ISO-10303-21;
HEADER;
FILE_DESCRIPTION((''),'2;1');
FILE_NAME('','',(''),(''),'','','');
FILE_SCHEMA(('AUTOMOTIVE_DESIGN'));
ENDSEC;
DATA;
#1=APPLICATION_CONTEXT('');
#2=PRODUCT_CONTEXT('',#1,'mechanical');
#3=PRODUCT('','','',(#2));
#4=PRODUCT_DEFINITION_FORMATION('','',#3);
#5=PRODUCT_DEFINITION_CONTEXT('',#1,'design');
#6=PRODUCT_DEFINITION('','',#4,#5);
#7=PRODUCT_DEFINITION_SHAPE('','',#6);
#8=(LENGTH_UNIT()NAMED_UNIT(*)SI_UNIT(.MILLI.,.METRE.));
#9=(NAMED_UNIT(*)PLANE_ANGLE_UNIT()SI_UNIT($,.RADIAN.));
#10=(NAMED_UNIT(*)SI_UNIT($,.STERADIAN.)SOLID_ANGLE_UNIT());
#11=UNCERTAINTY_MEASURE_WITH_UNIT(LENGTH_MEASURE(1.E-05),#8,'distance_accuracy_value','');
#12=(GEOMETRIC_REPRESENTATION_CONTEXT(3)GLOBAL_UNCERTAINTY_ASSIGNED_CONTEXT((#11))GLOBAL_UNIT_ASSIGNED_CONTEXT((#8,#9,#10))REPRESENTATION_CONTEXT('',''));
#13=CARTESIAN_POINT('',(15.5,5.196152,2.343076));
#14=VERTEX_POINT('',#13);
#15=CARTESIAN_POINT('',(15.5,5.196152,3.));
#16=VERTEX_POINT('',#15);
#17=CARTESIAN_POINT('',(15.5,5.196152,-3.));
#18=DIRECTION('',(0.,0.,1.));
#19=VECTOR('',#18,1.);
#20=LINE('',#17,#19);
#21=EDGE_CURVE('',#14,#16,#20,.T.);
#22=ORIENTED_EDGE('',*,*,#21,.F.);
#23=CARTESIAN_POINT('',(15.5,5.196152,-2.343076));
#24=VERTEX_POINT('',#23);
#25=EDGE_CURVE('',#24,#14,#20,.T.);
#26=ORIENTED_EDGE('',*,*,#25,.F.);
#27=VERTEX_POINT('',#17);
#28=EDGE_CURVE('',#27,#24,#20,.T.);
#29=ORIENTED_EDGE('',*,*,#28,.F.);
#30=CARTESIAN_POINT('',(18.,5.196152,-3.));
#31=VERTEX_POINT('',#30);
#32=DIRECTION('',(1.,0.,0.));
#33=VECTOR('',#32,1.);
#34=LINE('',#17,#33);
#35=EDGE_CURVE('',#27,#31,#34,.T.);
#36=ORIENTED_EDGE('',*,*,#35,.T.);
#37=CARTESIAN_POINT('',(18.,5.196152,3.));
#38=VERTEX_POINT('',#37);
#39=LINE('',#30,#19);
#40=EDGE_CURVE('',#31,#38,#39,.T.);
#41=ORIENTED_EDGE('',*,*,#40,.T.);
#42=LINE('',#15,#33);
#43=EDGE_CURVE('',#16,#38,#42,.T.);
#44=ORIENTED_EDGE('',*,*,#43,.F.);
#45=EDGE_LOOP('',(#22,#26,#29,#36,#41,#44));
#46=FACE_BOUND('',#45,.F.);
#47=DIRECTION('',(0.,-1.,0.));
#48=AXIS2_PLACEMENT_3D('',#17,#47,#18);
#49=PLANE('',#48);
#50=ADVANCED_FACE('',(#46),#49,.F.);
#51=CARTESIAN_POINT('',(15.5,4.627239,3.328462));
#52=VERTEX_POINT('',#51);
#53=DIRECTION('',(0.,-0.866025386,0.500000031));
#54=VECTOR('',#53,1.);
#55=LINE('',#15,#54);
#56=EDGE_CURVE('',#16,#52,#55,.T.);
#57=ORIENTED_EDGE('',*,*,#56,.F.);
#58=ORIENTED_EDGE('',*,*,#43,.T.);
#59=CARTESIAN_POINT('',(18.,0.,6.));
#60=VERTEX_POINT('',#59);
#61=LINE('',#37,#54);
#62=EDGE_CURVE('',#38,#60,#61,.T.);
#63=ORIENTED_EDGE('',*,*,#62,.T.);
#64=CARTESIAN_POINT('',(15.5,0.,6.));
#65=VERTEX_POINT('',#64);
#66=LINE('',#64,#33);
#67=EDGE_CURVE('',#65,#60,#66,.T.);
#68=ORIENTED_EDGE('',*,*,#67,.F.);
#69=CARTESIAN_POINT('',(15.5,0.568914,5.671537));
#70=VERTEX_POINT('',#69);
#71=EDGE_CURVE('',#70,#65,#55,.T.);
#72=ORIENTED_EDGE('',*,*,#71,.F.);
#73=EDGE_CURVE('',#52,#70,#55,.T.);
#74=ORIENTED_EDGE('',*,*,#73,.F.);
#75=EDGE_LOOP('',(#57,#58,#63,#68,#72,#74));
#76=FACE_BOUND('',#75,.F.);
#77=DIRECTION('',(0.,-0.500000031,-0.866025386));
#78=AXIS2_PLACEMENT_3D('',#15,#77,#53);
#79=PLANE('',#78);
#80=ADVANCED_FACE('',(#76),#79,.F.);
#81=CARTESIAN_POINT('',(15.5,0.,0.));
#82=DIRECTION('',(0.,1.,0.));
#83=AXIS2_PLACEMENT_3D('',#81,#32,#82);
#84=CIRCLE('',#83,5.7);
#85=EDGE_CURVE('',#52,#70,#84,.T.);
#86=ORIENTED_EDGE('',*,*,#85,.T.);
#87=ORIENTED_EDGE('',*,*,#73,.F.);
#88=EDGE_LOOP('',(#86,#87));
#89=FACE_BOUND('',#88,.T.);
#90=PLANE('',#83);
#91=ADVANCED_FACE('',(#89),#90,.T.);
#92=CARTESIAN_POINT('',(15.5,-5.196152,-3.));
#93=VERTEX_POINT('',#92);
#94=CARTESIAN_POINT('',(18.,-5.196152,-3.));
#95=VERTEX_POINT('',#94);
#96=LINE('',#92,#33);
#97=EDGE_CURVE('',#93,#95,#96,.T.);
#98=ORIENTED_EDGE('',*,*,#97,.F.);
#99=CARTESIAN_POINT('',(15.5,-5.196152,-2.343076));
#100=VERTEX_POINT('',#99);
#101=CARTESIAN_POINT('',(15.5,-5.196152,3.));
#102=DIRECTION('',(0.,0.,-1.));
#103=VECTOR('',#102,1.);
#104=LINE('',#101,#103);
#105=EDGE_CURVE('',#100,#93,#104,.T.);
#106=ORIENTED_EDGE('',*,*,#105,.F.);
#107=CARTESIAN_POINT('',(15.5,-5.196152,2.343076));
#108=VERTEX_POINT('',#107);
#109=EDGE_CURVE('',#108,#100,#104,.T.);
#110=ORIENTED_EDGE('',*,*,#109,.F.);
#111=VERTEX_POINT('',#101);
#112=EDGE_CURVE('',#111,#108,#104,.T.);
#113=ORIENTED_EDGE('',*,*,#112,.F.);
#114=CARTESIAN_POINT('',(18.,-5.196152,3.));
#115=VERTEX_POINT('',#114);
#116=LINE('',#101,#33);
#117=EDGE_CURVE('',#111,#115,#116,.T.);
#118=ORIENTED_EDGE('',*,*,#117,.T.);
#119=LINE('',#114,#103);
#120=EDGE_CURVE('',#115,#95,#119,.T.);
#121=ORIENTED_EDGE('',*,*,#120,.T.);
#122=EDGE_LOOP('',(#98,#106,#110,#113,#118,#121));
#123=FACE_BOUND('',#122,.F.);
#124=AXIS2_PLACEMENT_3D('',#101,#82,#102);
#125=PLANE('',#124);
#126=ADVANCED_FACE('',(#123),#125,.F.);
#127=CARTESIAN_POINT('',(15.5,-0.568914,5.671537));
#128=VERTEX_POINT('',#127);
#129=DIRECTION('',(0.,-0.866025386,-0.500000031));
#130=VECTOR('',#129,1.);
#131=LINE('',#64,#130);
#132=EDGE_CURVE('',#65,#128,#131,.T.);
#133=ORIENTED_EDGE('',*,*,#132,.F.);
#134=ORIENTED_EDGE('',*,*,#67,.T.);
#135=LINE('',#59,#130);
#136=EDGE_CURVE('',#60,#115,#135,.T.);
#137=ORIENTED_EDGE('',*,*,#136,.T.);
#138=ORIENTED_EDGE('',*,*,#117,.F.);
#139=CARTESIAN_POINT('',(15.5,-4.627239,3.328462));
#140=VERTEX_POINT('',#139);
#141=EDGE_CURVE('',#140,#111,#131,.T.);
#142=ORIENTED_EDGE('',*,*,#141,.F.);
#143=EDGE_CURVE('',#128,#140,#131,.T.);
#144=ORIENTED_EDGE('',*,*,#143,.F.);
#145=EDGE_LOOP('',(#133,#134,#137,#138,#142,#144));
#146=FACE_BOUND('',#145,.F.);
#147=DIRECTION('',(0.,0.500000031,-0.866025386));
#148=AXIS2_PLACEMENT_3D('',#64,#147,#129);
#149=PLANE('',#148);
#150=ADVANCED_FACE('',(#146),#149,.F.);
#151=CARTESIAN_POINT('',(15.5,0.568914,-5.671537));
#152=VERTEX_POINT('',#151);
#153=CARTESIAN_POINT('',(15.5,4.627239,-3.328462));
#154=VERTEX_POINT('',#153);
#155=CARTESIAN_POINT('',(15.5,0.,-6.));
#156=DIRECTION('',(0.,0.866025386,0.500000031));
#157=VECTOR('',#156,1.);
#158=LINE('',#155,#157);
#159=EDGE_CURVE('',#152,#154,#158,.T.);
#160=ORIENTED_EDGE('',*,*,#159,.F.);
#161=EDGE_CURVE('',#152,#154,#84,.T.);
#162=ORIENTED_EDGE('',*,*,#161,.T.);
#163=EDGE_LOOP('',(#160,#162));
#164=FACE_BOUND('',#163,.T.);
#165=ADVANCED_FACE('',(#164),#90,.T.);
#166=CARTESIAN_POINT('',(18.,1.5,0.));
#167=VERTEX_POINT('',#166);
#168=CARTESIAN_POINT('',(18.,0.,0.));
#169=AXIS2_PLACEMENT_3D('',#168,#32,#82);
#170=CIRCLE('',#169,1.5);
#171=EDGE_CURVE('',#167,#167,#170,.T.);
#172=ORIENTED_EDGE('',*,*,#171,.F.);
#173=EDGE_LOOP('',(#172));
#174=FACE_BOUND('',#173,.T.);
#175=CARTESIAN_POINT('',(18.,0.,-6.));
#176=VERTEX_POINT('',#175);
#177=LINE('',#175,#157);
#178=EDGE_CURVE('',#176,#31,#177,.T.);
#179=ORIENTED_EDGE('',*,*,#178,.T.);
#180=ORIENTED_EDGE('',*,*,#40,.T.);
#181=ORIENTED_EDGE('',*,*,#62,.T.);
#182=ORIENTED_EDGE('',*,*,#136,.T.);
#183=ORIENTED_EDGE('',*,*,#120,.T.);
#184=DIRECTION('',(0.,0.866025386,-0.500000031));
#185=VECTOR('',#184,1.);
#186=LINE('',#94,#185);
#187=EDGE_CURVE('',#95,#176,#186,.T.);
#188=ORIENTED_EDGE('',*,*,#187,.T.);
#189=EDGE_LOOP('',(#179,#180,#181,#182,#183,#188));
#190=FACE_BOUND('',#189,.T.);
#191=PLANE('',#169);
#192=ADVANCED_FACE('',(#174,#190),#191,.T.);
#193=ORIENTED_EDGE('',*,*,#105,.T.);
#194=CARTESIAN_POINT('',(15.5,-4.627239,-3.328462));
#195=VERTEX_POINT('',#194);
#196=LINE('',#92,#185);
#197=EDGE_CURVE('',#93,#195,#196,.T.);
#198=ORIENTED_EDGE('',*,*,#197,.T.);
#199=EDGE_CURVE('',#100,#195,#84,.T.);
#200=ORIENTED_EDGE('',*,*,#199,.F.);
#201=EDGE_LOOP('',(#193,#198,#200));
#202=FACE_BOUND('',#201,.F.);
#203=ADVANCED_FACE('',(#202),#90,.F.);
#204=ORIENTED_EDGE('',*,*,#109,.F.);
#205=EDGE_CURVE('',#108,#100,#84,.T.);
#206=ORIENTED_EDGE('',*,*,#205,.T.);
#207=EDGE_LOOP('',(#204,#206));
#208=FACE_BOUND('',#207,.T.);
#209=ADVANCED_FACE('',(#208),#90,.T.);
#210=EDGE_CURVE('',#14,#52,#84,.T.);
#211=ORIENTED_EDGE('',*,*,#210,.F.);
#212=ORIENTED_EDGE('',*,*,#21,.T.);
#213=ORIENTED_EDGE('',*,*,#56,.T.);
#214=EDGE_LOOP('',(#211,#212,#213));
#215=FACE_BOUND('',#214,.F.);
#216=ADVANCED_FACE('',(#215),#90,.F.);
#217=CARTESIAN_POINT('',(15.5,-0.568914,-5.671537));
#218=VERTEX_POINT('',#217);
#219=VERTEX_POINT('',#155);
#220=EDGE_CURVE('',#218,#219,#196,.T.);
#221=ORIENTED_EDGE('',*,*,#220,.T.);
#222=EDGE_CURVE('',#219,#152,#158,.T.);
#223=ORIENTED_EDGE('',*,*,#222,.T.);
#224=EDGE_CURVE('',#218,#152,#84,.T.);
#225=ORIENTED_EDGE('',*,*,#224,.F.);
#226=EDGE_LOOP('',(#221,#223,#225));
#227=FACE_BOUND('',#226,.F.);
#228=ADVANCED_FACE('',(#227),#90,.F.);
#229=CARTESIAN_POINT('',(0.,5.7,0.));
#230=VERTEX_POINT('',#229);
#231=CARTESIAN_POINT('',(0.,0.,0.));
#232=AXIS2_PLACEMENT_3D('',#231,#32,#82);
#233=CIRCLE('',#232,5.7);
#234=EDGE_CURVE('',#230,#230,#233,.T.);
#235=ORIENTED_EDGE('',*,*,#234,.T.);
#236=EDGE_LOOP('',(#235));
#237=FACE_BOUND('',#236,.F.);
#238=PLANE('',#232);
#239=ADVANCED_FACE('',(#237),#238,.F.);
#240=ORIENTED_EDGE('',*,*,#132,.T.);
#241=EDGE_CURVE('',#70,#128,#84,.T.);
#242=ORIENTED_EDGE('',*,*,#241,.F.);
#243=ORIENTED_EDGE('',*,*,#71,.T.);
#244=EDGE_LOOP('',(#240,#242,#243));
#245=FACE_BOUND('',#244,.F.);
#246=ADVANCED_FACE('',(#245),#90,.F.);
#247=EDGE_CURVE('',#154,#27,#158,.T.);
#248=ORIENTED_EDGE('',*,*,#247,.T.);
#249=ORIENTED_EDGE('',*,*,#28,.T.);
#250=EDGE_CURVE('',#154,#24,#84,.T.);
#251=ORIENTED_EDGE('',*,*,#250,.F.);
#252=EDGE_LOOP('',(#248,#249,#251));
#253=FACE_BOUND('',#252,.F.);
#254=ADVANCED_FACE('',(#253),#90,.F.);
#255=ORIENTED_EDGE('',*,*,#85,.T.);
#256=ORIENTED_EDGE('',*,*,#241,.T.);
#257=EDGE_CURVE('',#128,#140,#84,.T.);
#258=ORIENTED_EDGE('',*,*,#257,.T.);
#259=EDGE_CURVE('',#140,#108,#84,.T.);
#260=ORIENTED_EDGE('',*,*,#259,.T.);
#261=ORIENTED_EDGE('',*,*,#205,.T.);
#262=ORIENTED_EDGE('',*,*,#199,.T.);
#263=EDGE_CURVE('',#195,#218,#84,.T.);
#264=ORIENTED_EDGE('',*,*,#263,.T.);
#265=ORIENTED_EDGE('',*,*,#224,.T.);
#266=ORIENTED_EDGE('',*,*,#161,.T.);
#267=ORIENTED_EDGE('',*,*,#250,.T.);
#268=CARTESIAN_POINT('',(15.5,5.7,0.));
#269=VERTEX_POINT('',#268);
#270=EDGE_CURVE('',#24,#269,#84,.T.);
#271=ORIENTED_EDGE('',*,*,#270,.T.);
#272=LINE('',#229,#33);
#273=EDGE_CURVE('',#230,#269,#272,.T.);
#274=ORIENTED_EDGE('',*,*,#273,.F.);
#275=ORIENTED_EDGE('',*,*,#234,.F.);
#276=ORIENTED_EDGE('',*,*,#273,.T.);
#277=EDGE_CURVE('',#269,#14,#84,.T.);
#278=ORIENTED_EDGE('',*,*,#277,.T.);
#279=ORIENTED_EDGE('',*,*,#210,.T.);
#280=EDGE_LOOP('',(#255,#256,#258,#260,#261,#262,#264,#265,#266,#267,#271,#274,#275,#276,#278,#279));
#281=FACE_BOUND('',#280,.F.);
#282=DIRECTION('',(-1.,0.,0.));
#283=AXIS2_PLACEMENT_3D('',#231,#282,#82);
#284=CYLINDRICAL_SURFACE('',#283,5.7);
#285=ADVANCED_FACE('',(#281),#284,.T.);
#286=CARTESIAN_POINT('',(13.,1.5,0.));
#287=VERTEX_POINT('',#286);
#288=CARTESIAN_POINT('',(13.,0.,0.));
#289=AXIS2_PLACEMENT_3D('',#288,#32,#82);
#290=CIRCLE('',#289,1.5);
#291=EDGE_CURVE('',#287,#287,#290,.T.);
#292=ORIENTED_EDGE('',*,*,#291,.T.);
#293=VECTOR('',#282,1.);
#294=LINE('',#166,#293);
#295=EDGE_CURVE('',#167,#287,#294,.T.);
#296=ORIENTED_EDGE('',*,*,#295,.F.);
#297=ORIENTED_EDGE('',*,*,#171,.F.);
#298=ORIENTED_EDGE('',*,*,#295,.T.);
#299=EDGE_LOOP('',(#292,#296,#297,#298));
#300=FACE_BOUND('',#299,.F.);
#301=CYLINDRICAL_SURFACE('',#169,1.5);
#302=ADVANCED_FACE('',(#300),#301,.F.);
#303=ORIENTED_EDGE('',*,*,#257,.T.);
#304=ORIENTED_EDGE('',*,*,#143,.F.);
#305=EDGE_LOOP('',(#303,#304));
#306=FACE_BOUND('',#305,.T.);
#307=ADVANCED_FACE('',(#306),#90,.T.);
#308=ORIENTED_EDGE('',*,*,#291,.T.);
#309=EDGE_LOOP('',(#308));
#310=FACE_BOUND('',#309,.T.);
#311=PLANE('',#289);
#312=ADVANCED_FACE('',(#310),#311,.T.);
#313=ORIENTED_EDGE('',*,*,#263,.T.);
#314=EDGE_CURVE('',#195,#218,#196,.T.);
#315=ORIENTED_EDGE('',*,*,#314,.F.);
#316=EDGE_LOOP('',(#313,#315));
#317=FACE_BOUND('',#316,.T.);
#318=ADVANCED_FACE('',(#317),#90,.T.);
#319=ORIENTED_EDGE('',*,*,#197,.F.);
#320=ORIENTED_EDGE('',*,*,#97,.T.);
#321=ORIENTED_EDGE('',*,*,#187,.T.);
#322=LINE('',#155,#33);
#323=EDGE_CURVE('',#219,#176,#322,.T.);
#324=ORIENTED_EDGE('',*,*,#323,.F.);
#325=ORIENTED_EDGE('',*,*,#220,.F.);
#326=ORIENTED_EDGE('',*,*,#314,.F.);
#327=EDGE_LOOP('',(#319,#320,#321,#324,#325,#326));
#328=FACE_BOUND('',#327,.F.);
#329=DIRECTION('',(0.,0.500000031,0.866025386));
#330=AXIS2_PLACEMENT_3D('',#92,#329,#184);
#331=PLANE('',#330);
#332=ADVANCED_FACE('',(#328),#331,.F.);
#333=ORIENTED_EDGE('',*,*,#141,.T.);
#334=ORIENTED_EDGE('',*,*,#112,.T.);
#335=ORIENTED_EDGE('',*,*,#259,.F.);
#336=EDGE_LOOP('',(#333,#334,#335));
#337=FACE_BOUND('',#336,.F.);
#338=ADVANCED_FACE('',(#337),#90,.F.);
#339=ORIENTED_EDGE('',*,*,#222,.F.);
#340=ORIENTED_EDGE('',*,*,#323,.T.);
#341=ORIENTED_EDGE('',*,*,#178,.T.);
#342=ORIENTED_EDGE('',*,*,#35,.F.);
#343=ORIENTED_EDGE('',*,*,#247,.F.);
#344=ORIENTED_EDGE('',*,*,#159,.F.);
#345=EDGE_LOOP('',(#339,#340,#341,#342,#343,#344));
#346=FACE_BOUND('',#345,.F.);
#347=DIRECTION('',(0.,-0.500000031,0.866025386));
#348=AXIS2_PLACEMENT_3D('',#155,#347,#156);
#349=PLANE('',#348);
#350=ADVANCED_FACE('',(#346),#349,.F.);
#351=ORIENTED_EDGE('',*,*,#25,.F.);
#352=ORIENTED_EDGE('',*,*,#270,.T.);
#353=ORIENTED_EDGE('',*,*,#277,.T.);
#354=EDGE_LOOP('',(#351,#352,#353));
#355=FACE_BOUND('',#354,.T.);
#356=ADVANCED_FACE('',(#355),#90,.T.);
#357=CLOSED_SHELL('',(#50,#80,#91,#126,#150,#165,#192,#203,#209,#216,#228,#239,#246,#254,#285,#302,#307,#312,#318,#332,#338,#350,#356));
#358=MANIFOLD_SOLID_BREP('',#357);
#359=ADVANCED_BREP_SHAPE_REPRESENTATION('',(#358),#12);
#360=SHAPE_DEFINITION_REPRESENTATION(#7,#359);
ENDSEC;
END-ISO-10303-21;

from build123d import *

# Parameters (mm, degrees)
SKETCH_R     = 5.7
PAD_DEPTH    = 15.5
PAD001_DEPTH = 2.5
SKETCH002_R  = 1.5
POCKET_DEPTH = 5


with BuildPart() as part:
    # Sketch → Pad (new body)
    with BuildSketch(Plane.YZ):
        Circle(SKETCH_R)
    extrude(amount=PAD_DEPTH)

    # Sketch001 (on Face3 of Pad) → Pad001 (join)
    with BuildSketch(Plane.YZ.offset(15.5)):
        Polygon((0, 6), (-5.196152, 3), (-5.196152, -3), (0, -6), (5.196152, -3), (5.196152, 3), align=None)
    extrude(amount=PAD001_DEPTH)

    # Sketch002 (on Face21 of Pad001) → Pocket (cut)
    with BuildSketch(Plane.YZ.offset(18)):
        Circle(SKETCH002_R)
    extrude(amount=-POCKET_DEPTH, mode=Mode.SUBTRACT)


solid = part.part
